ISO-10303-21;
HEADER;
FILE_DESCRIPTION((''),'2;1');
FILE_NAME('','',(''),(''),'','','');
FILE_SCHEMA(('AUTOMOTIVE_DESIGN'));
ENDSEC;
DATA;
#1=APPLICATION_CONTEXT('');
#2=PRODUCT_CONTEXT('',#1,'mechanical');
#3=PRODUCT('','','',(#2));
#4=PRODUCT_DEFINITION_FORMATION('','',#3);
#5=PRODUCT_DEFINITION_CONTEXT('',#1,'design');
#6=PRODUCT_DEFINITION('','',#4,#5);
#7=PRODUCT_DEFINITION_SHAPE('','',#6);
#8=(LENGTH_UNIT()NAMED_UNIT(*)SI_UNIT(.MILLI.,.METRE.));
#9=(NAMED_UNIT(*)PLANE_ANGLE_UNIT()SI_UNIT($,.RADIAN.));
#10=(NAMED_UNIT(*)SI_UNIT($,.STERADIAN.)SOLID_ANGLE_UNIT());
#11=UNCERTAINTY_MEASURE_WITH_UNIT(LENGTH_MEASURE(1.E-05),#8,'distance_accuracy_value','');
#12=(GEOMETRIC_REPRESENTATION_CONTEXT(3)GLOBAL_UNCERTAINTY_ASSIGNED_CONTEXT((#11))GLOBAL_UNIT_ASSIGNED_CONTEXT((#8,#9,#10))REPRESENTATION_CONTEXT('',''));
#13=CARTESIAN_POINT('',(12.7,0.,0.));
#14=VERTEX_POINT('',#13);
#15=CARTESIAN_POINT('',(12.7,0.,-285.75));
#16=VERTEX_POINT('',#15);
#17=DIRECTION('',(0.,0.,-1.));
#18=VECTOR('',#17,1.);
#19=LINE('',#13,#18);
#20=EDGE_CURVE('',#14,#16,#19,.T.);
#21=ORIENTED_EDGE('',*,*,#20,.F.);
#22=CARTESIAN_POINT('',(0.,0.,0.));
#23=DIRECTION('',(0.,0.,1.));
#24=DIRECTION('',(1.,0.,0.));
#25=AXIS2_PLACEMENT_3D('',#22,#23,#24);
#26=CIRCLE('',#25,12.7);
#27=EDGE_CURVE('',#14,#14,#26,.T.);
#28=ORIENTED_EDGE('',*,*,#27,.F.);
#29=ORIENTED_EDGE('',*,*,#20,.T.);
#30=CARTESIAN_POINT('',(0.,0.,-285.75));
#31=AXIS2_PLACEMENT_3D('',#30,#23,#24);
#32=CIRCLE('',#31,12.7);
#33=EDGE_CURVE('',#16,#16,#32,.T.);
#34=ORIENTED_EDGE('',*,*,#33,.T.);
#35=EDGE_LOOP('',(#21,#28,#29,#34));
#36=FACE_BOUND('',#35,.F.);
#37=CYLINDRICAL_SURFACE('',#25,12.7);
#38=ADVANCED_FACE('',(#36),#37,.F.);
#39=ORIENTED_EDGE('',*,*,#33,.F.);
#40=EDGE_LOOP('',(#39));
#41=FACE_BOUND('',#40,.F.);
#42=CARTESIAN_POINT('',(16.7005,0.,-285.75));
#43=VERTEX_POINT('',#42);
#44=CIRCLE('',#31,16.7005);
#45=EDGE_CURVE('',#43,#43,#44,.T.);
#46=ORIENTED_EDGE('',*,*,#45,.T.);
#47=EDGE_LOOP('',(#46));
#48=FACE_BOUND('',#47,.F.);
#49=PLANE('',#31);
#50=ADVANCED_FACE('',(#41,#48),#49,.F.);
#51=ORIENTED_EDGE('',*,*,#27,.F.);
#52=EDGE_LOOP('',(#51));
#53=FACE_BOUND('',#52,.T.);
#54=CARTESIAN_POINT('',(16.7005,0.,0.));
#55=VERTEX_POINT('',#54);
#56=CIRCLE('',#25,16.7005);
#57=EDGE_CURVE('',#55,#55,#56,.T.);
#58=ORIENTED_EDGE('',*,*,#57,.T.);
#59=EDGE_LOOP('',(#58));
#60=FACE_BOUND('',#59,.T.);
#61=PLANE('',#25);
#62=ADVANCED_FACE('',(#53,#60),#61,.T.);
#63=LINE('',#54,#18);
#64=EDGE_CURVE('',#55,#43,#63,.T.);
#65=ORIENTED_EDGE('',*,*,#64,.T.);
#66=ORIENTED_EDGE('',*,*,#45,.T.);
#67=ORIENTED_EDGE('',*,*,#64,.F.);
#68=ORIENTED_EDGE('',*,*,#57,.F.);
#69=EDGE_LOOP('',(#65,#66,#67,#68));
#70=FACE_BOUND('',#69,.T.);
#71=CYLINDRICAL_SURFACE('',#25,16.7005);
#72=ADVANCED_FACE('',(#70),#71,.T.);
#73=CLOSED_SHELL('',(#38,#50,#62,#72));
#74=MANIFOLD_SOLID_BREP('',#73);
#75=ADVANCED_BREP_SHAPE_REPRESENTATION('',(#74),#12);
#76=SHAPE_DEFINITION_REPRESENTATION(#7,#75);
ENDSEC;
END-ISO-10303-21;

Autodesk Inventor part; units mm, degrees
ref_plane "YZ Plane" through (0, 0, 0) normal (1, 0, 0) x (0, 1, 0)
ref_plane "XZ Plane" through (0, 0, 0) normal (0, 1, 0) x (-1, 0, 0)
ref_plane "XY Plane" through (0, 0, 0) normal (0, 0, 1) x (1, 0, 0)
sketch "Sketch1" plane through (0, 0, 0) normal (0, 0, 1) x (1, 0, 0)
  circle A0 centre (0, 0) radius 16.7005
  circle A1 centre (0, 0) radius 12.7
  dimension "d0" = 33.401
  dimension "d1" = 25.4
extrude "Extrusion1" add sketch "Sketch1" against normal blind 285.75
properties part number "Pipe 3"
